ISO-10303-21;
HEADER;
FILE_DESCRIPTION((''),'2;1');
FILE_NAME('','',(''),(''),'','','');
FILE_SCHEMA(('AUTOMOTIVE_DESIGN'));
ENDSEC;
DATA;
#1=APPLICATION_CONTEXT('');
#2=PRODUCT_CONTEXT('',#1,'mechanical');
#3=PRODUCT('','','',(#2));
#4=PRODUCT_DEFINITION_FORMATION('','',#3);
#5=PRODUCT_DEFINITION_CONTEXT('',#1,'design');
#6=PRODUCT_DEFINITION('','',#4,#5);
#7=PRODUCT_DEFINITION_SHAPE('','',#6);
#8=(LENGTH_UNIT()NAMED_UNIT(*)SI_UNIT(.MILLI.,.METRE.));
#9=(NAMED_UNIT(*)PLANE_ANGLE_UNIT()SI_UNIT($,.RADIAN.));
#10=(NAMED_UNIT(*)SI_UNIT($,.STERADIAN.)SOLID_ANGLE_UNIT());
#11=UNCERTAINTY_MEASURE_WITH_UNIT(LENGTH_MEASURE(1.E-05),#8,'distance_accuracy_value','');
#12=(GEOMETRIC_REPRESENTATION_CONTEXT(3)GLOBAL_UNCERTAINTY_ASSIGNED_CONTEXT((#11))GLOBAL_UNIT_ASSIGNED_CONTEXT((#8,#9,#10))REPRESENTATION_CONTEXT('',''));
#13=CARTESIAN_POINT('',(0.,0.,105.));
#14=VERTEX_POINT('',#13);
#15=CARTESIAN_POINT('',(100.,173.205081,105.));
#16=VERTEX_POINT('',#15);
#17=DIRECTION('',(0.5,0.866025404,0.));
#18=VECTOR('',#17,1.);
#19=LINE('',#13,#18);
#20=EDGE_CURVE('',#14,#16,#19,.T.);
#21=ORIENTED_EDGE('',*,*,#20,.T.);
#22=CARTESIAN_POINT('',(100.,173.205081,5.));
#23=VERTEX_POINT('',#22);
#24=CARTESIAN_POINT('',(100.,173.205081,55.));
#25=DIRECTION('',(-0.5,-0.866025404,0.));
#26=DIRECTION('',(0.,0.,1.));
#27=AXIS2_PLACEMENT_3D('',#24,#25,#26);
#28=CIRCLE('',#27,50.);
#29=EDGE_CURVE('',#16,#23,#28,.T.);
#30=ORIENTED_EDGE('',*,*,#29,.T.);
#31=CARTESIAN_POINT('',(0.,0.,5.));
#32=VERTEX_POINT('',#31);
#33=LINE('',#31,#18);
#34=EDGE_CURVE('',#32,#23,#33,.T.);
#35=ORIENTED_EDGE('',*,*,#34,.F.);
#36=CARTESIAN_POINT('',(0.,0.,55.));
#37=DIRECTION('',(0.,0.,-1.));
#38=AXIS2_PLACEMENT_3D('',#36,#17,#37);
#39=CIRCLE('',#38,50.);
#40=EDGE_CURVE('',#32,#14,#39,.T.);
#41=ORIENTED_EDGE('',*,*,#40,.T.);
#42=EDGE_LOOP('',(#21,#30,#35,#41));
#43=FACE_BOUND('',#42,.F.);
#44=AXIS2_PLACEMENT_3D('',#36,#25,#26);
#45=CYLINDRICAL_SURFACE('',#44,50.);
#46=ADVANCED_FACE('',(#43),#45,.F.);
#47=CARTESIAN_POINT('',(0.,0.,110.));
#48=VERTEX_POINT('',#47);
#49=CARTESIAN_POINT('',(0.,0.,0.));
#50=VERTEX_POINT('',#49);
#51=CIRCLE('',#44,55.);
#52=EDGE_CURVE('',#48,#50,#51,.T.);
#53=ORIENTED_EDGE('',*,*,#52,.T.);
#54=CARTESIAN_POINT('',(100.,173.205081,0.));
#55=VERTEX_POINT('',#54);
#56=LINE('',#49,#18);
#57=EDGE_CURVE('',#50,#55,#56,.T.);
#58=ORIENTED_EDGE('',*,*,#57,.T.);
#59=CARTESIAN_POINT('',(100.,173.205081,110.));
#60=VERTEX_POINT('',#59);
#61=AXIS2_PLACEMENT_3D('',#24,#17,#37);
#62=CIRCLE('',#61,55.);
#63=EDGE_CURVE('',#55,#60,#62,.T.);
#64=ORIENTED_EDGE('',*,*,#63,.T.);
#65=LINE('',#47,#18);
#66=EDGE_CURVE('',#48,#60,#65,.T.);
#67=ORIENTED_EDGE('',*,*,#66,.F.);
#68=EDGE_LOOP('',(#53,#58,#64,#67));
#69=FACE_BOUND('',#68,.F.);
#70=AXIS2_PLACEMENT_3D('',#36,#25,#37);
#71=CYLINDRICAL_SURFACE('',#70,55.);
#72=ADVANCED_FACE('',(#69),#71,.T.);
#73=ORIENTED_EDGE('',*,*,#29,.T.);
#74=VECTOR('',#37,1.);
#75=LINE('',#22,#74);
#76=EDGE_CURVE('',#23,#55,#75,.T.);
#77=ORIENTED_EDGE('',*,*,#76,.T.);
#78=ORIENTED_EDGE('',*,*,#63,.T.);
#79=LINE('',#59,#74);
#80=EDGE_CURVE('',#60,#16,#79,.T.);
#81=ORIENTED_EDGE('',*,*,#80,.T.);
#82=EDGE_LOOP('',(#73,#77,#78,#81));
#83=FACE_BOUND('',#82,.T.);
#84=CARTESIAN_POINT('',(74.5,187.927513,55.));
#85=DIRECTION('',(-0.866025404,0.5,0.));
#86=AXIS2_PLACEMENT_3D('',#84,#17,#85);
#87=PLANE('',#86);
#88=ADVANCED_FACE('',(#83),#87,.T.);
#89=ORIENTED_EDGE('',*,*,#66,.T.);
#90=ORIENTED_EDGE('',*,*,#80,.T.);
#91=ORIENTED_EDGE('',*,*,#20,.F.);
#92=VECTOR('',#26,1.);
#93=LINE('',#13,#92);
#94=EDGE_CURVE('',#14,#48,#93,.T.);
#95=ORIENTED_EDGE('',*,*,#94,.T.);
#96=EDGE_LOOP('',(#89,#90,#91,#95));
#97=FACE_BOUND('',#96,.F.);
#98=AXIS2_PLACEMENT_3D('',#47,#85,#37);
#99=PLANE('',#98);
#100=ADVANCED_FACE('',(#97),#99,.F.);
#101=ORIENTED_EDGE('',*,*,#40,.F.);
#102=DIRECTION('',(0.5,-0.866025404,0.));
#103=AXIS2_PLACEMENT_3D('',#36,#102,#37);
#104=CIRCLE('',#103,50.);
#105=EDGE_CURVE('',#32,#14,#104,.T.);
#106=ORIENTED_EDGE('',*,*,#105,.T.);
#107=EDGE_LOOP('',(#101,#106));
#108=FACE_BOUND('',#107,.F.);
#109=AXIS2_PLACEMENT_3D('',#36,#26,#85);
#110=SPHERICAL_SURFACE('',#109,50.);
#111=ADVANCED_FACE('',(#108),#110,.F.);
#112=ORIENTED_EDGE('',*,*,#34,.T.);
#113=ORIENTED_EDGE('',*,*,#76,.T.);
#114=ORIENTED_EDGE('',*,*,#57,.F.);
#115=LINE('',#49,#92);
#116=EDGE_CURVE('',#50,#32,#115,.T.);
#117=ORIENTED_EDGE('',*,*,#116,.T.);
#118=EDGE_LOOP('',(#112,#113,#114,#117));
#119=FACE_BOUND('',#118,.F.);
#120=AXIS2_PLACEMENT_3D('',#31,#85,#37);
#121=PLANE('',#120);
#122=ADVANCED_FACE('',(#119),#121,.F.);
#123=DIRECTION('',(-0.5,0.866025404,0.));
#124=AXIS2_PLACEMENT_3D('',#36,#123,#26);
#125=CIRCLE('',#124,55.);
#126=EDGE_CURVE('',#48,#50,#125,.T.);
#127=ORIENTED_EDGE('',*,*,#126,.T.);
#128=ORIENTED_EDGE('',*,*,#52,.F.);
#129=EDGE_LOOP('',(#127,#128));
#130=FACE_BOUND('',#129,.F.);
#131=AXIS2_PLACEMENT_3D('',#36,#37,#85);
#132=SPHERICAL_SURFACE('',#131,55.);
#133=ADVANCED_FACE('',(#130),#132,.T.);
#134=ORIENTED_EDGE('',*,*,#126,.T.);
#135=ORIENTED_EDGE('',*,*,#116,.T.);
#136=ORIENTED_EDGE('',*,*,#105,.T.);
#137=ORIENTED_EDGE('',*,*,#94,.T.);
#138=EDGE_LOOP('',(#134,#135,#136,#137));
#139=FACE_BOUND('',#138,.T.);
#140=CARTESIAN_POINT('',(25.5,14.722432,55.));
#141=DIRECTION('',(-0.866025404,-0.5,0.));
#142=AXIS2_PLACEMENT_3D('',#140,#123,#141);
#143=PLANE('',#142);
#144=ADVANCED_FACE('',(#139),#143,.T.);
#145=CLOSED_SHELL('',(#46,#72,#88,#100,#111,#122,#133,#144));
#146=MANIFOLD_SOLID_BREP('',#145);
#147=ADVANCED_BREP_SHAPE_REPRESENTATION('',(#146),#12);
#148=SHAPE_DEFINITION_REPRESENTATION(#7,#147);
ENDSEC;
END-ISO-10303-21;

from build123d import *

# Parameters (mm, degrees)
F1_ANGLE_BACK = 120
F1_ANGLE      = 240
F3_DEPTH      = 200


with BuildPart() as f1:
    # F0 (on Right) → F1 (revolve)
    with BuildSketch(Plane.YZ, mode=Mode.PRIVATE) as f1_sk:
        with BuildLine():
            Line((0, 105), (0, 110))
            ThreePointArc((0, 110), (-55, 55), (0, 0))
            Line((0, 0), (0, 5))
            ThreePointArc((0, 5), (-50, 55), (0, 105))
        make_face()
    revolve(f1_sk.sketch.rotate(Axis((0, 0, 107.5), (0, 0, 1)), -F1_ANGLE_BACK), axis=Axis((0, 0, 107.5), (0, 0, 1)), revolution_arc=F1_ANGLE)

    # F2 (on face) → F3 (join)
    with BuildSketch(Plane(origin=(0, 0, 0), x_dir=(-0.8660254038, 0.5, 0), z_dir=(0.5, 0.8660254038, 0))):
        with BuildLine():
            ThreePointArc((0, 105), (50, 55), (0, 5))
            Line((0, 5), (0, 0))
            ThreePointArc((0, 0), (55, 55), (0, 110))
            Line((0, 110), (0, 105))
        make_face()
    extrude(amount=F3_DEPTH)


solid = f1.part
